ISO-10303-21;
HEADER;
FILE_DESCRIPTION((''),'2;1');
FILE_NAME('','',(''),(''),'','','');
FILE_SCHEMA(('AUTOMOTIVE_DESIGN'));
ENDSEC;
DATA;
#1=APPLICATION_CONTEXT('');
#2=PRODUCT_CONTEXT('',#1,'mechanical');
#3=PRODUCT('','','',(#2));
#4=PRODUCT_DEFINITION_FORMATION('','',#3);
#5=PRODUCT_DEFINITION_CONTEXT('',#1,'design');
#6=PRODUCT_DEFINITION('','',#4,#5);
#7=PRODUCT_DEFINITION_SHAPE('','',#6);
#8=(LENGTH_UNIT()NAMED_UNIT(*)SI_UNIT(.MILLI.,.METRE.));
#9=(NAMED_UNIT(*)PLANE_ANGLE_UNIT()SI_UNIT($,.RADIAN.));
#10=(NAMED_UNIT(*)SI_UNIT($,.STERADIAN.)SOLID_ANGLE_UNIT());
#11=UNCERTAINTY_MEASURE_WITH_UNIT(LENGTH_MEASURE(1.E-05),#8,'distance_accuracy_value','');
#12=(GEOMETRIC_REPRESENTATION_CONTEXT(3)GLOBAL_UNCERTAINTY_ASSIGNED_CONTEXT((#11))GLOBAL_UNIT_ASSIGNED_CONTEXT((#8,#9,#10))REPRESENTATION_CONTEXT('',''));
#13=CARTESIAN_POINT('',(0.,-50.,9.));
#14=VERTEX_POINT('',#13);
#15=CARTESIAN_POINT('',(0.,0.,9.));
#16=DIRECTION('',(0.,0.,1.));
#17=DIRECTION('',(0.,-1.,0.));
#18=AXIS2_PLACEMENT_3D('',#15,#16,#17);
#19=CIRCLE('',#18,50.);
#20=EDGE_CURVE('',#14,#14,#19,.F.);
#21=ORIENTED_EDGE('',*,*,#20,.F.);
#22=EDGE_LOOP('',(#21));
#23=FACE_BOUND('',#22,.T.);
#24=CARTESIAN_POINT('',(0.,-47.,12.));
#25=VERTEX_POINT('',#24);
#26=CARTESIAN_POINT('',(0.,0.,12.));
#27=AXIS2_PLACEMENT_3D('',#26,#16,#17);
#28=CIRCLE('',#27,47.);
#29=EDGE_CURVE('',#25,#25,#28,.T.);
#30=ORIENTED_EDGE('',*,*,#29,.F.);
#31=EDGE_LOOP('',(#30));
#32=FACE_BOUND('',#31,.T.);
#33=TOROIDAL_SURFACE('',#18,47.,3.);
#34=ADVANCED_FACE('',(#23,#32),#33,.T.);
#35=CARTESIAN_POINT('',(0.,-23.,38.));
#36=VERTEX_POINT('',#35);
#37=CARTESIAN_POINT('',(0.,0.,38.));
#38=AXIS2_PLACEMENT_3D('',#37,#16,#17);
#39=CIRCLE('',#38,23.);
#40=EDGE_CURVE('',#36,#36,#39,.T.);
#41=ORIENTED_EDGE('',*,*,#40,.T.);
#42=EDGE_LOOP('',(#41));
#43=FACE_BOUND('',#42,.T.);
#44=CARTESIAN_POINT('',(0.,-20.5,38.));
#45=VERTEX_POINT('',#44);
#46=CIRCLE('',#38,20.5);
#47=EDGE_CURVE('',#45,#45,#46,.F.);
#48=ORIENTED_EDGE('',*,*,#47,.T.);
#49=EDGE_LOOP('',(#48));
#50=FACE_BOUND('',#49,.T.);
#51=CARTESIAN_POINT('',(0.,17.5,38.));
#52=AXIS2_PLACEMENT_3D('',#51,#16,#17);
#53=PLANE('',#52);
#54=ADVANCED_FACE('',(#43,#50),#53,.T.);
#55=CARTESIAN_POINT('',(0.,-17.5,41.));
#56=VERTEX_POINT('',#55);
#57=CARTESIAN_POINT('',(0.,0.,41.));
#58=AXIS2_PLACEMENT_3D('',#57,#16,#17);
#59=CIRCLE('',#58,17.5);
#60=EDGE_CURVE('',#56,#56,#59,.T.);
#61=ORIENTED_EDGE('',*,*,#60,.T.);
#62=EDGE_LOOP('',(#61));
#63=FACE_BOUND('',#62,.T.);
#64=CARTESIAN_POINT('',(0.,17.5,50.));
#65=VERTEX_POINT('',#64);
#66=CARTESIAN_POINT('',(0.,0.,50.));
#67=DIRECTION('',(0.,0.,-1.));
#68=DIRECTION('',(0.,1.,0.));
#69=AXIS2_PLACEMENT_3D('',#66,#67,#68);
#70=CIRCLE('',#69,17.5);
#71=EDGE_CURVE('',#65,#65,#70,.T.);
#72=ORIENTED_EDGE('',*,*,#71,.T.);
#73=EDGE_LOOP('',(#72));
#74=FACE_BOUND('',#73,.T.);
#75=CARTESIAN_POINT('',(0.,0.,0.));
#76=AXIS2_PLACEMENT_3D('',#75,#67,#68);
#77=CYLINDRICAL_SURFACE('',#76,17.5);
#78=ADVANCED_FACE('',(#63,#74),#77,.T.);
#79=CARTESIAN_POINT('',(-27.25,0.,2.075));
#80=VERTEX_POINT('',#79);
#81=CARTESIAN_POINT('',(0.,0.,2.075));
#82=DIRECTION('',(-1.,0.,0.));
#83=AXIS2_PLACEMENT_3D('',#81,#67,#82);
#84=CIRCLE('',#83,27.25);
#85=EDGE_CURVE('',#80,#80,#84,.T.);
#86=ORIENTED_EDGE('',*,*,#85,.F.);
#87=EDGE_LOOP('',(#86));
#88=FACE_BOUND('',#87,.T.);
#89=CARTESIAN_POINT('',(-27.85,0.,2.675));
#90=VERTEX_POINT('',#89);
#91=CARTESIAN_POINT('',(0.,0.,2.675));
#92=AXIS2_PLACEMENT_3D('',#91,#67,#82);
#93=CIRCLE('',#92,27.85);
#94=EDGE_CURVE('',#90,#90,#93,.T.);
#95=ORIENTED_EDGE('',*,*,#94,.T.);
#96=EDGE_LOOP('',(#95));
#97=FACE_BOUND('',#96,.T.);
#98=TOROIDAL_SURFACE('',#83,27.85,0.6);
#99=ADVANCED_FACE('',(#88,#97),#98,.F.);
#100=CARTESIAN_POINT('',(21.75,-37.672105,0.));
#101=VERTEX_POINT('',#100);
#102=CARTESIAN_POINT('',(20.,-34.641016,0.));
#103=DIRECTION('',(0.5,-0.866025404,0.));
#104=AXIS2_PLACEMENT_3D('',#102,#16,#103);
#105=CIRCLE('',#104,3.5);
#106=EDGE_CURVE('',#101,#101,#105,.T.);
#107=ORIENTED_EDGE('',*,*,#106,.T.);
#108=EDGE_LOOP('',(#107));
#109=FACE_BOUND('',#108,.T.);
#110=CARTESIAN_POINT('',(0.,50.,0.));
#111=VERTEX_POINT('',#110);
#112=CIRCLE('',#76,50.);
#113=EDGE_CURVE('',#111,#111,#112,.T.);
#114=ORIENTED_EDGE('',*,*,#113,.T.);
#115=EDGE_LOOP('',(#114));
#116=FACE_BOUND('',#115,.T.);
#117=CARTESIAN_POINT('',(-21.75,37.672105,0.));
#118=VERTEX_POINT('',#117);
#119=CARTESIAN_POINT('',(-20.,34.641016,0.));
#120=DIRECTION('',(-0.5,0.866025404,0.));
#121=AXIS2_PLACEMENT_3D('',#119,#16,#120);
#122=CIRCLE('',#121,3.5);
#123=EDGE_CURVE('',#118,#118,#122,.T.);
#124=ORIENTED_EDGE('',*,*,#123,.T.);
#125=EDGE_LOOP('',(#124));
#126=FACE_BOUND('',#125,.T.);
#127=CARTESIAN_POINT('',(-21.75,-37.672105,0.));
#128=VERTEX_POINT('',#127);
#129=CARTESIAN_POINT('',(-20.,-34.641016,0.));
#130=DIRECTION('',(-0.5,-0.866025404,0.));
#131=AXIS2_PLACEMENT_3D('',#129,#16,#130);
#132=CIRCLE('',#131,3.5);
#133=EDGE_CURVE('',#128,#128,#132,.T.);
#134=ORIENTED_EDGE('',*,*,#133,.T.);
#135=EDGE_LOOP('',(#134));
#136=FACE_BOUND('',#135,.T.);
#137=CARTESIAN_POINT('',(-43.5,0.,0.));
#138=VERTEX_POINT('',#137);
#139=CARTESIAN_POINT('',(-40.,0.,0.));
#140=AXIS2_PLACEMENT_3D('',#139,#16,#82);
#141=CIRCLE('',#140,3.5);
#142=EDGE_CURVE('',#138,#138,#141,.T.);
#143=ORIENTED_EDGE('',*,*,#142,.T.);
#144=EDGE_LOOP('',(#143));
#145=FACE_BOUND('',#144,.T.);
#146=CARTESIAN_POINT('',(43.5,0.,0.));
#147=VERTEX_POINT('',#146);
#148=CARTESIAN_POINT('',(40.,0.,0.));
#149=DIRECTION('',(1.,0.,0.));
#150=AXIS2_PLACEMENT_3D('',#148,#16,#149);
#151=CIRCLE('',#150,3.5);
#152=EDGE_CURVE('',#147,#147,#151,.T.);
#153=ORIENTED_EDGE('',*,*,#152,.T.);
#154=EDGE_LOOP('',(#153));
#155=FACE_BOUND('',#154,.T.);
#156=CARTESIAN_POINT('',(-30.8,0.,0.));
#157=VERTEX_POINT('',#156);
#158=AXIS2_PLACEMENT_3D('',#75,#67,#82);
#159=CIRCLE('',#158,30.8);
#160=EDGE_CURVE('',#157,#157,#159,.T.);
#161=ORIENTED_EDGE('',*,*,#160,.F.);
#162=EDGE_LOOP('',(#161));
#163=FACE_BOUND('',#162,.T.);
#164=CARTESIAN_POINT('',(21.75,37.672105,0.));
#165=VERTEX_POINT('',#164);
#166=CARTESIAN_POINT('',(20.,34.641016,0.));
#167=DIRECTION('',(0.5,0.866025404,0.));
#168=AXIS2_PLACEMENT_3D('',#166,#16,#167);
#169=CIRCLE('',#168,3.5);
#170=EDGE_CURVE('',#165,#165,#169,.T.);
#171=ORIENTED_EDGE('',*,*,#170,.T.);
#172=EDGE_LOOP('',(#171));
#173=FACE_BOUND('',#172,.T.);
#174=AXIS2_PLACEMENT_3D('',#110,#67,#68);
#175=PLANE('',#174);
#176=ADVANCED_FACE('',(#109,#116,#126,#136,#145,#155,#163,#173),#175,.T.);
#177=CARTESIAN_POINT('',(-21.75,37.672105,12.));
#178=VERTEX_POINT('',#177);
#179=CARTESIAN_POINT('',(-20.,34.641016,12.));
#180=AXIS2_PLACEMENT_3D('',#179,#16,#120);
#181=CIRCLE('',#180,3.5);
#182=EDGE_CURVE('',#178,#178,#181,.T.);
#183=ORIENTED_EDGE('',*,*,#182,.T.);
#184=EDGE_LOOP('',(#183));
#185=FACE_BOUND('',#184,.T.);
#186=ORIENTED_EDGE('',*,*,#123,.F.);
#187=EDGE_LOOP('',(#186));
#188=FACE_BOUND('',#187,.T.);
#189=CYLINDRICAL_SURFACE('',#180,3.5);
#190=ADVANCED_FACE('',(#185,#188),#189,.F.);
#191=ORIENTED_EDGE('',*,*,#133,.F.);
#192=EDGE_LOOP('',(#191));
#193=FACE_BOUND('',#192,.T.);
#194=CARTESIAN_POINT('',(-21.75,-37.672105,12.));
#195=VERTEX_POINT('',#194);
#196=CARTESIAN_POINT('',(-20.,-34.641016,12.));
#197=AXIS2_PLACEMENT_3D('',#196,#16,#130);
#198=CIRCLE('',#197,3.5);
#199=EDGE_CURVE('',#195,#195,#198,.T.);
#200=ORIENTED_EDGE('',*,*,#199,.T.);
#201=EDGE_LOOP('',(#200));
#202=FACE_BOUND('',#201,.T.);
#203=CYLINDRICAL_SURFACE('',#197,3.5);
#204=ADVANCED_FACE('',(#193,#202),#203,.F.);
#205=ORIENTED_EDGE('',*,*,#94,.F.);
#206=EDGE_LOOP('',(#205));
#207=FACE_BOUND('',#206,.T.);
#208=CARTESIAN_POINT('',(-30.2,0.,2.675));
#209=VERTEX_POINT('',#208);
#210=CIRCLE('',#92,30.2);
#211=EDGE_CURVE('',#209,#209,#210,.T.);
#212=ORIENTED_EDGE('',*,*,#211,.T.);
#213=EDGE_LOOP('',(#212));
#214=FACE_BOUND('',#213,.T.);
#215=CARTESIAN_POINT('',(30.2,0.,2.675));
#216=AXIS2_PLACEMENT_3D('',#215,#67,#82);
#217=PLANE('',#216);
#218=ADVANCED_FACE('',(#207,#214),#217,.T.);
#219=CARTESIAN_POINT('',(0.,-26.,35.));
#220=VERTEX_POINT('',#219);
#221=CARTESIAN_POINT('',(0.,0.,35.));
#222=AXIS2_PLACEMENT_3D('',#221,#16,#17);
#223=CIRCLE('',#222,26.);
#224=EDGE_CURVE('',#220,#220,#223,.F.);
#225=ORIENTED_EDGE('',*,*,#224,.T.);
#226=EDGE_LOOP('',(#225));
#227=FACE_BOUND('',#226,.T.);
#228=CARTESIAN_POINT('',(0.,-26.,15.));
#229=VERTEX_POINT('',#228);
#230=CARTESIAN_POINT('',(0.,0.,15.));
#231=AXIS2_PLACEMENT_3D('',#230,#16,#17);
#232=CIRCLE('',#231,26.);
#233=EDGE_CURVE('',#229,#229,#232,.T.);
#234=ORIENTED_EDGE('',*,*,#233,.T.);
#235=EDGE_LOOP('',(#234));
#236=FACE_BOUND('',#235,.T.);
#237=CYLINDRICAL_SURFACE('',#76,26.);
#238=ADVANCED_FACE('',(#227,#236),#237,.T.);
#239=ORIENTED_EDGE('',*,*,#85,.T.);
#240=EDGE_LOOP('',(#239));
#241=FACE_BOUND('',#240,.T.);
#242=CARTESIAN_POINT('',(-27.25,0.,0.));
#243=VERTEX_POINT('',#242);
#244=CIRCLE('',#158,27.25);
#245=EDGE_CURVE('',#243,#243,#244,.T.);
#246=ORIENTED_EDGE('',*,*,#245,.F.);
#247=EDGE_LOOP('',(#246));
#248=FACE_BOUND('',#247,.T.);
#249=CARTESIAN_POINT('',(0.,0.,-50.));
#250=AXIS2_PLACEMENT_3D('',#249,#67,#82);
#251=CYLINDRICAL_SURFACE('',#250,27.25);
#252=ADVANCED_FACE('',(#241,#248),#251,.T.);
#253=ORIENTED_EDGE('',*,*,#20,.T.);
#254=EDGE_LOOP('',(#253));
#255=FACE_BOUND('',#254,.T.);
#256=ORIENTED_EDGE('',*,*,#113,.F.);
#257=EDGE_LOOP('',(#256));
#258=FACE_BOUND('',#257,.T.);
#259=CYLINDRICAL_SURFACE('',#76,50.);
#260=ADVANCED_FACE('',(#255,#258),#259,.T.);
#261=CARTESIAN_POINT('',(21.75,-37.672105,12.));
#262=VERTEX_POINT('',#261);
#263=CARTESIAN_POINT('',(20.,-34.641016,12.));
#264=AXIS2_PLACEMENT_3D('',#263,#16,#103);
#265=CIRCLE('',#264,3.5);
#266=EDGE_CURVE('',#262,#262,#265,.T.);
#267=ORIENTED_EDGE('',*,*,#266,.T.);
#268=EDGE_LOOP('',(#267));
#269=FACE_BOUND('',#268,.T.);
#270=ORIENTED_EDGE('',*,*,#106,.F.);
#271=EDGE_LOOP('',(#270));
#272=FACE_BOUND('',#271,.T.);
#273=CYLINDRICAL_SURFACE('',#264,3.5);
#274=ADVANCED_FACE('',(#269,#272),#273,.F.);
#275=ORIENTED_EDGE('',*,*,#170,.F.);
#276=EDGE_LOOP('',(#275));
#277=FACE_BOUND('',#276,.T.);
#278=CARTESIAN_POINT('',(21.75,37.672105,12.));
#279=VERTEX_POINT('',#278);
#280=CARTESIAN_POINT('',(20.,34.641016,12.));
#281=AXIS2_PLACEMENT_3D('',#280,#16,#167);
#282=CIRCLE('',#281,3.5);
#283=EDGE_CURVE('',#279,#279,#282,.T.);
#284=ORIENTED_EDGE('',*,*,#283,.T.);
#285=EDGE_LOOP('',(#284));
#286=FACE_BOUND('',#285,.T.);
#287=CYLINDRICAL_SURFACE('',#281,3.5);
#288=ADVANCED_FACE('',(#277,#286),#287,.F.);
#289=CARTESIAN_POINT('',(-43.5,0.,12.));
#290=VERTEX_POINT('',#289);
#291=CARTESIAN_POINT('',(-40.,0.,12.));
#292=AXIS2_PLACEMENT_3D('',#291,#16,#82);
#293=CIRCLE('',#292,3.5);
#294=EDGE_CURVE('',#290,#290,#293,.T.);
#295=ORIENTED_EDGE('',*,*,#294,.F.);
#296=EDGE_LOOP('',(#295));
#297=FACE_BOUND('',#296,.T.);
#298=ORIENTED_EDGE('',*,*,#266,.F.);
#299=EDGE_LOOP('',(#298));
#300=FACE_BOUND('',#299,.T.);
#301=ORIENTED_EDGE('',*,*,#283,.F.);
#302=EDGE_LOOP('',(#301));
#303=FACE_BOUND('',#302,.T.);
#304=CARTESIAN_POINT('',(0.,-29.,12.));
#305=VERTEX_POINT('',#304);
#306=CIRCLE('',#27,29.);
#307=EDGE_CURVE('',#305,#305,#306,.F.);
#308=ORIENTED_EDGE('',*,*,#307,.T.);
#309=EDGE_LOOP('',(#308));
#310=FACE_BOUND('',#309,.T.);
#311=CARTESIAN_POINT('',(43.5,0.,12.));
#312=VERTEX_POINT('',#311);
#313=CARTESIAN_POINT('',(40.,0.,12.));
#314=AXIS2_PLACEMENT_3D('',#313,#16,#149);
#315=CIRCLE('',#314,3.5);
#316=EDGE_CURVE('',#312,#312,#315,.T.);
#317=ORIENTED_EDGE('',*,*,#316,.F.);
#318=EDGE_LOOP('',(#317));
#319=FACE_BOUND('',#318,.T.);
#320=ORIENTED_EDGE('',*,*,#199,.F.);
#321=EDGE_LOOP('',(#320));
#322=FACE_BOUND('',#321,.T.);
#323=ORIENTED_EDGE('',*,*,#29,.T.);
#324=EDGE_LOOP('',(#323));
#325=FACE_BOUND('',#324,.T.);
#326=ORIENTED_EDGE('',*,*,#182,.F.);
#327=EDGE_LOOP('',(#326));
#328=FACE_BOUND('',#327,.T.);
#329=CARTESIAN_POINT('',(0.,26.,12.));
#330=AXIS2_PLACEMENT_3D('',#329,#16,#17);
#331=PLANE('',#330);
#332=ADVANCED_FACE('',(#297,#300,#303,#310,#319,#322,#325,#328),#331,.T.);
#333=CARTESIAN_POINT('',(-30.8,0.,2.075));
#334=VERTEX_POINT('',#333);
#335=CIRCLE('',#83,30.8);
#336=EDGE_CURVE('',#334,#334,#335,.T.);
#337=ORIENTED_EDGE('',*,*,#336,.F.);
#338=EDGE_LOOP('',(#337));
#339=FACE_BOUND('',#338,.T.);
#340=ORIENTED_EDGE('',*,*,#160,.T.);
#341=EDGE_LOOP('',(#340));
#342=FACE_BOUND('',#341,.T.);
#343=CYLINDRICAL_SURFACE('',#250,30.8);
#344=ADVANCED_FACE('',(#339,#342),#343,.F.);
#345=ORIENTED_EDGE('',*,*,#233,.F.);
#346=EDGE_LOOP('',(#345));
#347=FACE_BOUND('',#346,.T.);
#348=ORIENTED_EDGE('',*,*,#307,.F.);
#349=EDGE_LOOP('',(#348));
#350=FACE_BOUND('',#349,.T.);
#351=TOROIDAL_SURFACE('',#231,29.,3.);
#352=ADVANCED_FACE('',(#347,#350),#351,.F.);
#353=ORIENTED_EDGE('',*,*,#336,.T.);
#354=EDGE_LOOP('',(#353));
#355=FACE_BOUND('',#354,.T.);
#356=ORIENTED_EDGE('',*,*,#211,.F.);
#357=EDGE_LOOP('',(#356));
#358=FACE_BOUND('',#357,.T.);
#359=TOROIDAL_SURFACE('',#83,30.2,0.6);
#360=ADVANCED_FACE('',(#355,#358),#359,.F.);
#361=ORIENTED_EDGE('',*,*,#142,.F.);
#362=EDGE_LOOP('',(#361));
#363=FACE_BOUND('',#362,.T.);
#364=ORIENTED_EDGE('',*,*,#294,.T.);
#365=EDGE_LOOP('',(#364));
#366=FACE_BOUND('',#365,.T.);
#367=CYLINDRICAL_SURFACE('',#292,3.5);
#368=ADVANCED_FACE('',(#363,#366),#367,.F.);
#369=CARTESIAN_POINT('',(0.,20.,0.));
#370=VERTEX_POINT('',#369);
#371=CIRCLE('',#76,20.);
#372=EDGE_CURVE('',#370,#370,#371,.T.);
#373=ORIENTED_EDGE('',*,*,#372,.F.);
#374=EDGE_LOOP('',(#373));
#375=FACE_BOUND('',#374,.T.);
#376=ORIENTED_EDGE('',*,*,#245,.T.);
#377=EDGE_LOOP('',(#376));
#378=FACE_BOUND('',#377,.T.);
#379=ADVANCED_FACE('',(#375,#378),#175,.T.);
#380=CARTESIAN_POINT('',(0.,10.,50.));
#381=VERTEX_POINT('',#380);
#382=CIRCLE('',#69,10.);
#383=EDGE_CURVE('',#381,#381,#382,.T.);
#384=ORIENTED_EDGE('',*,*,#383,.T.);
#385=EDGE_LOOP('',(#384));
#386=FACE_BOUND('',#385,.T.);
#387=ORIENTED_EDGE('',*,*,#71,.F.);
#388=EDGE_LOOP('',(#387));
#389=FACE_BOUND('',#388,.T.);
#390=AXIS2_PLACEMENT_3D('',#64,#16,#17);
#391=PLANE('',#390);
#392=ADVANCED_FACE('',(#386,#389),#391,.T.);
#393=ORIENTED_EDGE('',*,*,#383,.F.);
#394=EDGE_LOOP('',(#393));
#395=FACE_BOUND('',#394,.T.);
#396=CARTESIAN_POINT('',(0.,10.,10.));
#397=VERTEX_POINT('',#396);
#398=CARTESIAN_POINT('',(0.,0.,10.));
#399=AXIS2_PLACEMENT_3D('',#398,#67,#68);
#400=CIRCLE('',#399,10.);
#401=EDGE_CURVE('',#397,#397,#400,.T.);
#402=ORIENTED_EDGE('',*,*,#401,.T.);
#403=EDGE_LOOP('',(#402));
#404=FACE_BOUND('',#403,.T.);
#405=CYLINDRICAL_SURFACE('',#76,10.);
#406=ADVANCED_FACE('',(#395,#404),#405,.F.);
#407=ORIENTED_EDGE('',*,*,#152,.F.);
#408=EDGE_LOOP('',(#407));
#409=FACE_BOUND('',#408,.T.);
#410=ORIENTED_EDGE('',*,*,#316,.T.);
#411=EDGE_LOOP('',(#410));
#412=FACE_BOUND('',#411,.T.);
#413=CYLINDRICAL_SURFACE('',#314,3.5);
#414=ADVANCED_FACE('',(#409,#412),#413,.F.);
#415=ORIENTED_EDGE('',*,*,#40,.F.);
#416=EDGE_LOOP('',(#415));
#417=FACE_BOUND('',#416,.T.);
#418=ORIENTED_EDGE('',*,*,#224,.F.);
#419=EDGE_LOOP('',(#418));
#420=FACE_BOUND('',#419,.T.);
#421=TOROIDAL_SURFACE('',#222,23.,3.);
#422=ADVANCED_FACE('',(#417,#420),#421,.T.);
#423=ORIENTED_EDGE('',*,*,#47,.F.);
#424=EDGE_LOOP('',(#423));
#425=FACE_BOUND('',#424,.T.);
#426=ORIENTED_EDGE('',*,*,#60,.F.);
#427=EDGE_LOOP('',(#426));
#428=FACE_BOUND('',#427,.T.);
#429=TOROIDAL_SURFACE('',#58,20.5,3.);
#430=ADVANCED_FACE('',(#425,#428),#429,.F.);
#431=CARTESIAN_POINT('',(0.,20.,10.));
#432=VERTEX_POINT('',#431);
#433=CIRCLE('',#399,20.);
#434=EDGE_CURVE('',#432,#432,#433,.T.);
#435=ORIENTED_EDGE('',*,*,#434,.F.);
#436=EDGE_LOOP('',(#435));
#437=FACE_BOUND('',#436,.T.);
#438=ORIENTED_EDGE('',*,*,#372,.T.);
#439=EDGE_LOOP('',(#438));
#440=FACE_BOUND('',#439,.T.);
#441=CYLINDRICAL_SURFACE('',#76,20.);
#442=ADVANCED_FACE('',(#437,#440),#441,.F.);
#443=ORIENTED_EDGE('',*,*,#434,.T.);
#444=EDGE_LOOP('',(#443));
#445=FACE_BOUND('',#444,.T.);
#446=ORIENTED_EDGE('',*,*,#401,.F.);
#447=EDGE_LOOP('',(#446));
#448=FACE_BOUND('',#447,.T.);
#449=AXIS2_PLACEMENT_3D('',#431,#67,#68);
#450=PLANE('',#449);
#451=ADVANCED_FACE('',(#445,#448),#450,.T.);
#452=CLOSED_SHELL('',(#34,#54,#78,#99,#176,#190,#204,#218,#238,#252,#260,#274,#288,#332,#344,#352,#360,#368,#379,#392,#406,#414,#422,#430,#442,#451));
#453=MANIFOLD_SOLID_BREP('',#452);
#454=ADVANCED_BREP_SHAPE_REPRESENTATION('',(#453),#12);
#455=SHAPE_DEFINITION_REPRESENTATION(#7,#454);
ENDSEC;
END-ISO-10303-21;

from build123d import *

# Parameters (mm, degrees)
F_7_0_7_DIAMETER_HOLE1_D = 7
CIRPATTERN1_COUNT        = 6
FILLET1_R                = 3


with BuildPart() as part:
    # Sketch1 → Revolve1 (revolve)
    with BuildSketch(Plane(origin=(0, 0, 0), x_dir=(0, 0, -1), z_dir=(1, 0, 0))):
        Polygon((-50, 17.5), (-50, 10), (-10, 10), (-10, 20), (0, 20), (0, 50), (-12, 50), (-12, 26), (-38, 26), (-38, 17.5), align=None)
    revolve(axis=Axis((0, 0, 0), (0, 0, 1)))

    # Ø7.0 (7) Diameter Hole1 (through all)
    with Locations(Plane.XY.offset(12)):
        with Locations((40, 0)):
            f_7_0_7_diameter_hole1 = Hole(F_7_0_7_DIAMETER_HOLE1_D / 2)

    # CirPattern1: Ø7.0 (7) Diameter Hole1 ×6 about axis
    cirpattern1_axis = Axis((0, 0, 0), (0, 0, 1))
    for i in range(1, CIRPATTERN1_COUNT):
        add(f_7_0_7_diameter_hole1.rotate(cirpattern1_axis, i * 360 / CIRPATTERN1_COUNT), mode=Mode.SUBTRACT)

    # Fillet1
    fillet1_edges = [part.edges().sort_by_distance(p)[0] for p in [
        (0, -17.5, 38),
        (0, -26, 38),
        (0, -26, 12),
        (0, -50, 12),
    ]]
    fillet(fillet1_edges, radius=FILLET1_R)

    # Groove Sketch → O-Ring Groove (revolve, cut)
    with BuildSketch(Plane.ZX, mode=Mode.PRIVATE) as o_ring_groove_sk:
        with BuildLine():
            Line((2.075, 27.25), (0, 27.25))
            Line((0, 27.25), (0, 30.8))
            Line((0, 30.8), (2.075, 30.8))
            ThreePointArc((2.075, 30.8), (2.499264069, 30.624264069), (2.675, 30.2))
            Line((2.675, 30.2), (2.675, 27.85))
            ThreePointArc((2.675, 27.85), (2.499264069, 27.425735931), (2.075, 27.25))
        make_face()
    revolve(o_ring_groove_sk.sketch.rotate(Axis((0, 0, -50), (0, 0, 1)), 270), axis=Axis((0, 0, -50), (0, 0, 1)), mode=Mode.SUBTRACT)


solid = part.part
